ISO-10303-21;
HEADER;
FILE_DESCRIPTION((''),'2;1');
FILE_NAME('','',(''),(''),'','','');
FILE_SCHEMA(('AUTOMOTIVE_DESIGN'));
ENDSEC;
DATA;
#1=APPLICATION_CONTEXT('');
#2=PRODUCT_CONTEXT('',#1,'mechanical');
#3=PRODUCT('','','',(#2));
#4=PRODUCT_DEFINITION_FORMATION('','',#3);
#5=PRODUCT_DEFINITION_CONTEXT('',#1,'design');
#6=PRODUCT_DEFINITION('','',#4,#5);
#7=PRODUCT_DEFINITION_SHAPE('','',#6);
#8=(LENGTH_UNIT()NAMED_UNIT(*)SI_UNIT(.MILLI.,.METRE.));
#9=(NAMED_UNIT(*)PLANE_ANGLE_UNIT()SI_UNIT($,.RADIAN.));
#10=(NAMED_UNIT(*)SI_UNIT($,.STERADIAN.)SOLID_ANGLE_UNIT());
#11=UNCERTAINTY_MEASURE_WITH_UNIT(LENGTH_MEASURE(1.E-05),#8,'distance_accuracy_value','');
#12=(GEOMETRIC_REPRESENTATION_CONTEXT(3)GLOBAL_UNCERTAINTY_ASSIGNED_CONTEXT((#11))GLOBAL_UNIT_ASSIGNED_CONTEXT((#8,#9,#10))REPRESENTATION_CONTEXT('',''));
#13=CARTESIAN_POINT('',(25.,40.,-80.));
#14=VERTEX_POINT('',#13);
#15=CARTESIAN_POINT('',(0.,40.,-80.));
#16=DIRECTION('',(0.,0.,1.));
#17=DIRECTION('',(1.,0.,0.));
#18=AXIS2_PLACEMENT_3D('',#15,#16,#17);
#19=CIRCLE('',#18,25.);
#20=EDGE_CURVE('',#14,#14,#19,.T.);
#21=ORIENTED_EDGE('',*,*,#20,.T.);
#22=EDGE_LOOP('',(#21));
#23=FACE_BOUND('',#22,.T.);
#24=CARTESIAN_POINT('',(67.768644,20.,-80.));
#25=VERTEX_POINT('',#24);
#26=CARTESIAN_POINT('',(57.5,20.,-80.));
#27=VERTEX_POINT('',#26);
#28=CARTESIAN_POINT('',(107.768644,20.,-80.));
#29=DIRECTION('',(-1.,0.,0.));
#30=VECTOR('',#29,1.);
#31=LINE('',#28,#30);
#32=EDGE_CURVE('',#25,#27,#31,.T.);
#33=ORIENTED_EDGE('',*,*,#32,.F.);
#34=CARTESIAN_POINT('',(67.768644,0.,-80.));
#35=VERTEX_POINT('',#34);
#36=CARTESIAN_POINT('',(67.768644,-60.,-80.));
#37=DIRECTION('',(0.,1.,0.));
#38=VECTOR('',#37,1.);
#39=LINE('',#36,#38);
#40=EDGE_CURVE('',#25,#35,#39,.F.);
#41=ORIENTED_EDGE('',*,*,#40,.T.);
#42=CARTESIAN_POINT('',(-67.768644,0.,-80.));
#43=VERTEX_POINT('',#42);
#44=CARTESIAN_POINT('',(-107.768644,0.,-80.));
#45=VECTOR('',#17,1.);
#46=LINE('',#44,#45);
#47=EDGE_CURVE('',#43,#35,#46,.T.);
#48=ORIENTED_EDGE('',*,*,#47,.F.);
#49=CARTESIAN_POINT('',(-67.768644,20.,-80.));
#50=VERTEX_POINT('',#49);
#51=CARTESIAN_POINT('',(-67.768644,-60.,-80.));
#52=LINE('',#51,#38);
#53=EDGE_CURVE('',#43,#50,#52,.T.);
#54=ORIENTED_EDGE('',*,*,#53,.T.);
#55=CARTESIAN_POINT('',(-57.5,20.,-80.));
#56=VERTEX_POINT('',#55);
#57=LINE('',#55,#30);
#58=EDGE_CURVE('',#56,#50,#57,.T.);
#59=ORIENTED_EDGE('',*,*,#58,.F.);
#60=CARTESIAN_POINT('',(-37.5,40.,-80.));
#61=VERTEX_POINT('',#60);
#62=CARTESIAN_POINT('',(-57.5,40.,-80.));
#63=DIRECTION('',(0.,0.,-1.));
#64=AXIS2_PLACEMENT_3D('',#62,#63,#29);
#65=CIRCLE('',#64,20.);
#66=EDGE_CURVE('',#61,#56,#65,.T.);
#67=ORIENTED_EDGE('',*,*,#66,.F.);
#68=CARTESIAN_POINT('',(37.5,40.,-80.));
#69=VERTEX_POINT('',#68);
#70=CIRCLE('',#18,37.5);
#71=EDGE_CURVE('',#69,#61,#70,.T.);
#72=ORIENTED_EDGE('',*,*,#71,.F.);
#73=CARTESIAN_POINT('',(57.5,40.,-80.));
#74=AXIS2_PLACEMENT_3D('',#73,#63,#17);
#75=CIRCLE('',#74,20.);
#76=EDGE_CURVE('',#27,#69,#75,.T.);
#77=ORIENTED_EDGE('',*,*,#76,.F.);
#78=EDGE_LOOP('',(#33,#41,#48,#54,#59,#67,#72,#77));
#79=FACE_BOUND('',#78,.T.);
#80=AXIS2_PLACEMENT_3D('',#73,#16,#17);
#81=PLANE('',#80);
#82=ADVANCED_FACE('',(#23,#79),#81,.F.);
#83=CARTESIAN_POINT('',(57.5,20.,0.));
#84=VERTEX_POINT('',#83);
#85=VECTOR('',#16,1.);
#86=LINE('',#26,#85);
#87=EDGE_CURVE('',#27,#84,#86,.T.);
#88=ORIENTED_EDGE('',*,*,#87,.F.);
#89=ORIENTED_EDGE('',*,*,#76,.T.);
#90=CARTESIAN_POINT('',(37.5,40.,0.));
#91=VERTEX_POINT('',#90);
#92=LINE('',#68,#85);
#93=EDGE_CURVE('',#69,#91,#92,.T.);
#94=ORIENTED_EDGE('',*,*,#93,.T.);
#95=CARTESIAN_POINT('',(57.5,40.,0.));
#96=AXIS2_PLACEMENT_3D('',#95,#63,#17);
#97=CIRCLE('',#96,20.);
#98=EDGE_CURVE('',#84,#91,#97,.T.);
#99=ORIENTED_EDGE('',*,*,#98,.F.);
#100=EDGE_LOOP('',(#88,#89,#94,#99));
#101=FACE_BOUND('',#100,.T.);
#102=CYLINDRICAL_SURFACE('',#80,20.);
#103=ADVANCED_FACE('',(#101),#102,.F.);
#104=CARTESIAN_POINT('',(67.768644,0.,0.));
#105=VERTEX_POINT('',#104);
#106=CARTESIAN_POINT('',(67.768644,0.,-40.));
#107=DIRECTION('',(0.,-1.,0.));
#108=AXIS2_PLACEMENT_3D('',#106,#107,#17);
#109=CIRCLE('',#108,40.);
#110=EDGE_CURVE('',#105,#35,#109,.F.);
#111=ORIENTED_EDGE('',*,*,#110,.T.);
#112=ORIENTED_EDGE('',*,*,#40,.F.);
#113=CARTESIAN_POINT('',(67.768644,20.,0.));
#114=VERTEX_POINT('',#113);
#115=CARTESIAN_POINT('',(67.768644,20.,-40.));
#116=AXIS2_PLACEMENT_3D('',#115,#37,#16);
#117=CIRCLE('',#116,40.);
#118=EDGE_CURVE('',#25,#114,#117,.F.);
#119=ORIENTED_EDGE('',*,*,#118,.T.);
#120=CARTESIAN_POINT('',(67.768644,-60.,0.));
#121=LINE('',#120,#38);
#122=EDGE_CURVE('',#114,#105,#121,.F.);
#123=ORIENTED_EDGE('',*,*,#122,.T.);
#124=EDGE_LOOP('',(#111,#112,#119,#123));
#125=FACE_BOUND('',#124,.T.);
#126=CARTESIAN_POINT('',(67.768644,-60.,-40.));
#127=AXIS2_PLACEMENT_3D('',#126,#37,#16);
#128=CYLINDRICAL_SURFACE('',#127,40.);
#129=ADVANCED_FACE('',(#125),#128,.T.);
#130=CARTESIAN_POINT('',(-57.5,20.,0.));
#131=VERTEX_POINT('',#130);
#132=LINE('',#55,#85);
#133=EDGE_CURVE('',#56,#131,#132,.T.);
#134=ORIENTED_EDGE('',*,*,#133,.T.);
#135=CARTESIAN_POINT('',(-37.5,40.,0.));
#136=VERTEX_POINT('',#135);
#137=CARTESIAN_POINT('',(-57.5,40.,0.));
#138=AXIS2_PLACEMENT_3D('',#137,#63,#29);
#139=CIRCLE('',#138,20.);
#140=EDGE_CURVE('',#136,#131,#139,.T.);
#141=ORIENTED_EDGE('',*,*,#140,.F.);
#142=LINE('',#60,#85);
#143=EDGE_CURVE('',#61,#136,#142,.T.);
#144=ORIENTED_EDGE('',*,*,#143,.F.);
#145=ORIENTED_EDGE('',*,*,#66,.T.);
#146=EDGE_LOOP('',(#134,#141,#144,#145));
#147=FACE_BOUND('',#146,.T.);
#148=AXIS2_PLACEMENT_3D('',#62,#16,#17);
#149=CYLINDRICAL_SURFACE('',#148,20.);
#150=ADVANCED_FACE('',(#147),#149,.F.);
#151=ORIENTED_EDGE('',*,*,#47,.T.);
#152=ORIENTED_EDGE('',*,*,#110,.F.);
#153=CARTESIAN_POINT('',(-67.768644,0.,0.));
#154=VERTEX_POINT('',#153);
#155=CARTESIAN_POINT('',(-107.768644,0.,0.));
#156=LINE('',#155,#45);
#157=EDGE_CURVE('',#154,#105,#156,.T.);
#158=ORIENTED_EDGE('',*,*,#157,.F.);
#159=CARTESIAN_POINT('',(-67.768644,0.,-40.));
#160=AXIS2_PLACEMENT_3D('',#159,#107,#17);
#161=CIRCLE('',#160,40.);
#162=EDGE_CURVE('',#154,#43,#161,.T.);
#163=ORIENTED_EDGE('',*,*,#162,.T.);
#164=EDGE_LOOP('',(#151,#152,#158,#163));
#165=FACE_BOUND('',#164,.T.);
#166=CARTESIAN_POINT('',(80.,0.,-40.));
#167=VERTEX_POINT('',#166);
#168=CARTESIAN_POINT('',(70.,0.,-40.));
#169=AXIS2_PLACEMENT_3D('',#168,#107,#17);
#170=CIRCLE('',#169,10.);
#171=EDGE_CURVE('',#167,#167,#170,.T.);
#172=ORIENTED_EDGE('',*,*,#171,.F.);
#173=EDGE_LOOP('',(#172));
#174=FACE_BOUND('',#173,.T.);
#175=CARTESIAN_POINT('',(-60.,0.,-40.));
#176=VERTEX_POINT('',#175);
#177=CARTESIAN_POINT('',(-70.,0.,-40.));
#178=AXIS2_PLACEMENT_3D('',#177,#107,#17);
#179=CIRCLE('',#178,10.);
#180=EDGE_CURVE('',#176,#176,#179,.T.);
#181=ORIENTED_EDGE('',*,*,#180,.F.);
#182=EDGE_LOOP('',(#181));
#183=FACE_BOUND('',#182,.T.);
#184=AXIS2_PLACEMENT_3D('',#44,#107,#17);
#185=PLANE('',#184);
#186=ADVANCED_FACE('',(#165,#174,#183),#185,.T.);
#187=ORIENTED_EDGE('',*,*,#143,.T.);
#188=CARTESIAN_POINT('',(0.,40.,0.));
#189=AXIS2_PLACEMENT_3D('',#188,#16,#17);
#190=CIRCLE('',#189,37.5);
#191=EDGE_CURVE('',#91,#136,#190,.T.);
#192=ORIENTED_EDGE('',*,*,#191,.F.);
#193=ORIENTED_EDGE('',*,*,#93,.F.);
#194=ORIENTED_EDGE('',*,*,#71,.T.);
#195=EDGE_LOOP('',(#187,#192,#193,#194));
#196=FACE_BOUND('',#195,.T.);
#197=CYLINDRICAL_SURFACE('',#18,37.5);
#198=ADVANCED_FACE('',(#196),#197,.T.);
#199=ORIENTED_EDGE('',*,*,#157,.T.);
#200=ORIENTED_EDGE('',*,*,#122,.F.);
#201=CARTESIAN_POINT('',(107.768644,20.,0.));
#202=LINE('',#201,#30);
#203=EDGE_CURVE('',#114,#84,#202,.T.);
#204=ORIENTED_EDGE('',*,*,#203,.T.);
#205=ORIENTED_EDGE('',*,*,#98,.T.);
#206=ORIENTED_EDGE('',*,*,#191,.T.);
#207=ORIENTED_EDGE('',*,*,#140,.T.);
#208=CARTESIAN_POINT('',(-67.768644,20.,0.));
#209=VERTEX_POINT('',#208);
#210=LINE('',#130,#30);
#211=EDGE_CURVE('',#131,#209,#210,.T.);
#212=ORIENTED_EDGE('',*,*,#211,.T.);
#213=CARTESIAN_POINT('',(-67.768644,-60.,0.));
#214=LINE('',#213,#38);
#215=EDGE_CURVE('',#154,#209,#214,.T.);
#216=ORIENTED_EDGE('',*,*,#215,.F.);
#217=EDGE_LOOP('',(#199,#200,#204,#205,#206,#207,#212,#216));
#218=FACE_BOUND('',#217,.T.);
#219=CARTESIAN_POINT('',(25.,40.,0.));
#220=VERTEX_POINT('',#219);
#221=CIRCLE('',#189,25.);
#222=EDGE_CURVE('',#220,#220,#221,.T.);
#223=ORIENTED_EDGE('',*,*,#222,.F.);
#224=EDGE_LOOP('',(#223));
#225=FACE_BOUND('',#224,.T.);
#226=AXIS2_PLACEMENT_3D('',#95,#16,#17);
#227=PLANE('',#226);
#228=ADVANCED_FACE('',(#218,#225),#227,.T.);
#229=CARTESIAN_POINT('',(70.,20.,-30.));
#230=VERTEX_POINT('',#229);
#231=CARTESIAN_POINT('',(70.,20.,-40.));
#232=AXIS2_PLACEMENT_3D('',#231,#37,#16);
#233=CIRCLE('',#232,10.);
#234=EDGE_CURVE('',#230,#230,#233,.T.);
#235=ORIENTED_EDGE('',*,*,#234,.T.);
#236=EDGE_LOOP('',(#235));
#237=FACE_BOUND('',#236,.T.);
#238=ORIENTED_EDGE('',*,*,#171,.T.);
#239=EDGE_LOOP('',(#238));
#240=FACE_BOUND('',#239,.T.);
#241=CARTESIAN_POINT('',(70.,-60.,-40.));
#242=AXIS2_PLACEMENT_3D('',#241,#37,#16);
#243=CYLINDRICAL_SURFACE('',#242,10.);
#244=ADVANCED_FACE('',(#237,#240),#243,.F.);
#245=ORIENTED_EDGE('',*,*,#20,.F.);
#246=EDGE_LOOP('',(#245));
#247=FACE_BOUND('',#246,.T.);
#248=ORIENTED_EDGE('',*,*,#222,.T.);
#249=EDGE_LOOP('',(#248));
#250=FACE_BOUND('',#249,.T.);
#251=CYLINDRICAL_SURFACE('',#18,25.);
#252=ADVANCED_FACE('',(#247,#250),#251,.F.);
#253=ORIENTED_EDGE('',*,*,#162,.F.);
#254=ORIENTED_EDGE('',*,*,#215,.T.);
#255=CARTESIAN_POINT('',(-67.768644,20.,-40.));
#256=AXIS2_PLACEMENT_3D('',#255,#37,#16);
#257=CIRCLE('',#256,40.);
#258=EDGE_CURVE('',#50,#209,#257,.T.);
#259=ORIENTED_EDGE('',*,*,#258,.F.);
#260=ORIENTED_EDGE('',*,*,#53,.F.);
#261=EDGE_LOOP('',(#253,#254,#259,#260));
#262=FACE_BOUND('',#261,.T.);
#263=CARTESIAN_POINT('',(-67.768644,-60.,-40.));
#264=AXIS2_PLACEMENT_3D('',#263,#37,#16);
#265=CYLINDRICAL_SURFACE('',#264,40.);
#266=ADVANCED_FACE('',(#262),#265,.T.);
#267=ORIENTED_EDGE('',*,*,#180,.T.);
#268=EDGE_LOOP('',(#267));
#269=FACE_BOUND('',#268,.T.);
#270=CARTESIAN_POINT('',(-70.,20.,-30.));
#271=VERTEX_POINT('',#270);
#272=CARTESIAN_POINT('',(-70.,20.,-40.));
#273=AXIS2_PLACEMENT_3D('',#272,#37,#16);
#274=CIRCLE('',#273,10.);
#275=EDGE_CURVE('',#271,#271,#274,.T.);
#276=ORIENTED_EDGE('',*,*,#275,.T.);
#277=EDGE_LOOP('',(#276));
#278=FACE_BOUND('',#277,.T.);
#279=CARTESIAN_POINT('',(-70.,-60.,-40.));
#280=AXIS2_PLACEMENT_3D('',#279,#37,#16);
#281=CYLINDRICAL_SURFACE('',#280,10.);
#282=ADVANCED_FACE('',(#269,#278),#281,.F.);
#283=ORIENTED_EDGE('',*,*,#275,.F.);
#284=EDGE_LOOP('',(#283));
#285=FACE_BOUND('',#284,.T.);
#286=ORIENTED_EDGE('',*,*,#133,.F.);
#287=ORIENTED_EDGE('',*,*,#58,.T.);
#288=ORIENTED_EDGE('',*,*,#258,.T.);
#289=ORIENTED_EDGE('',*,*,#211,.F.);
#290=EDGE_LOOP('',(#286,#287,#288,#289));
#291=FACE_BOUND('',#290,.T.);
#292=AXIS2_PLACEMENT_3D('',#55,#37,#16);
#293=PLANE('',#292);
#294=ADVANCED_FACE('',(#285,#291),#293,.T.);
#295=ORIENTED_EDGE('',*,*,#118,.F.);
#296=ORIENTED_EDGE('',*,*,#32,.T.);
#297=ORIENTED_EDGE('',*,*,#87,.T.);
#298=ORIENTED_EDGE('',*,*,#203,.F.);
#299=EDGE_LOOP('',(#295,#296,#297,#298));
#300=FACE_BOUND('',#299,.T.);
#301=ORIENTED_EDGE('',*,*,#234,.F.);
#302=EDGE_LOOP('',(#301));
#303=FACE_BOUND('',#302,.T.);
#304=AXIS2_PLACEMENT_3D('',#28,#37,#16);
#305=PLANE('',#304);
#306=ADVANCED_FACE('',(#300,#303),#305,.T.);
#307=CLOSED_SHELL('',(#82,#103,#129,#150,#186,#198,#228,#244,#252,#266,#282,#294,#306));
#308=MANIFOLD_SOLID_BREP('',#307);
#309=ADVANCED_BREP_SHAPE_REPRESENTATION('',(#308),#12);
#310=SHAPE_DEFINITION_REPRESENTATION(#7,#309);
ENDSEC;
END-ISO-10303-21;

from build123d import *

# Parameters (mm, degrees)
SKETCH1_R           = 25
BOSS_EXTRUDE1_DEPTH = 80
CUT_EXTRUDE1_DEPTH  = 80
SKETCH3_R           = 10
CUT_EXTRUDE2_DEPTH  = 80


with BuildPart() as part:
    # Sketch1 → Boss-Extrude1 (new body)
    with BuildSketch(Plane.XY):
        with BuildLine():
            Line((-107.76864352, 0), (107.76864352, 0))
            Line((107.76864352, 0), (107.76864352, 20))
            Line((107.76864352, 20), (57.5, 20))
            ThreePointArc((57.5, 20), (43.357864376, 25.857864376), (37.5, 40))
            ThreePointArc((37.5, 40), (0, 77.5), (-37.5, 40))
            ThreePointArc((-37.5, 40), (-43.357864376, 25.857864376), (-57.5, 20))
            Line((-57.5, 20), (-107.76864352, 20))
            Line((-107.76864352, 20), (-107.76864352, 0))
        make_face()
        with Locations((0, 40)):
            Circle(SKETCH1_R, mode=Mode.SUBTRACT)
    extrude(amount=-BOSS_EXTRUDE1_DEPTH)

    # Sketch2 → Cut-Extrude1 (cut)
    with BuildSketch(Plane(origin=(0, 20, 0), x_dir=(1, 0, 0), z_dir=(0, 1, 0))):
        with BuildLine():
            Line((-107.76864352, 0), (-67.76864352, 0))
            ThreePointArc((-67.76864352, 0), (-96.052914767, 11.715728753), (-107.76864352, 40))
            Line((-107.76864352, 40), (-107.76864352, 0))
        make_face()
        with BuildLine():
            ThreePointArc((-107.76864352, 40), (-96.052914767, 68.284271247), (-67.76864352, 80))
            Line((-67.76864352, 80), (-107.76864352, 80))
            Line((-107.76864352, 80), (-107.76864352, 40))
        make_face()
        with BuildLine():
            ThreePointArc((107.76864352, 40), (96.052914767, 11.715728753), (67.76864352, 0))
            Line((67.76864352, 0), (107.76864352, 0))
            Line((107.76864352, 0), (107.76864352, 40))
        make_face()
        with BuildLine():
            Line((107.76864352, 80), (67.76864352, 80))
            ThreePointArc((67.76864352, 80), (96.052914767, 68.284271247), (107.76864352, 40))
            Line((107.76864352, 40), (107.76864352, 80))
        make_face()
    extrude(amount=-CUT_EXTRUDE1_DEPTH, mode=Mode.SUBTRACT)

    # Sketch3 → Cut-Extrude2 (cut)
    with BuildSketch(Plane(origin=(0, 20, 0), x_dir=(1, 0, 0), z_dir=(0, 1, 0))):
        with Locations(Location((70, 40, 0), (0, 0, 270))):
            Circle(SKETCH3_R)
        with Locations(Location((-70, 40, 0), (0, 0, 270))):
            Circle(SKETCH3_R)
    extrude(amount=-CUT_EXTRUDE2_DEPTH, mode=Mode.SUBTRACT)


solid = part.part
